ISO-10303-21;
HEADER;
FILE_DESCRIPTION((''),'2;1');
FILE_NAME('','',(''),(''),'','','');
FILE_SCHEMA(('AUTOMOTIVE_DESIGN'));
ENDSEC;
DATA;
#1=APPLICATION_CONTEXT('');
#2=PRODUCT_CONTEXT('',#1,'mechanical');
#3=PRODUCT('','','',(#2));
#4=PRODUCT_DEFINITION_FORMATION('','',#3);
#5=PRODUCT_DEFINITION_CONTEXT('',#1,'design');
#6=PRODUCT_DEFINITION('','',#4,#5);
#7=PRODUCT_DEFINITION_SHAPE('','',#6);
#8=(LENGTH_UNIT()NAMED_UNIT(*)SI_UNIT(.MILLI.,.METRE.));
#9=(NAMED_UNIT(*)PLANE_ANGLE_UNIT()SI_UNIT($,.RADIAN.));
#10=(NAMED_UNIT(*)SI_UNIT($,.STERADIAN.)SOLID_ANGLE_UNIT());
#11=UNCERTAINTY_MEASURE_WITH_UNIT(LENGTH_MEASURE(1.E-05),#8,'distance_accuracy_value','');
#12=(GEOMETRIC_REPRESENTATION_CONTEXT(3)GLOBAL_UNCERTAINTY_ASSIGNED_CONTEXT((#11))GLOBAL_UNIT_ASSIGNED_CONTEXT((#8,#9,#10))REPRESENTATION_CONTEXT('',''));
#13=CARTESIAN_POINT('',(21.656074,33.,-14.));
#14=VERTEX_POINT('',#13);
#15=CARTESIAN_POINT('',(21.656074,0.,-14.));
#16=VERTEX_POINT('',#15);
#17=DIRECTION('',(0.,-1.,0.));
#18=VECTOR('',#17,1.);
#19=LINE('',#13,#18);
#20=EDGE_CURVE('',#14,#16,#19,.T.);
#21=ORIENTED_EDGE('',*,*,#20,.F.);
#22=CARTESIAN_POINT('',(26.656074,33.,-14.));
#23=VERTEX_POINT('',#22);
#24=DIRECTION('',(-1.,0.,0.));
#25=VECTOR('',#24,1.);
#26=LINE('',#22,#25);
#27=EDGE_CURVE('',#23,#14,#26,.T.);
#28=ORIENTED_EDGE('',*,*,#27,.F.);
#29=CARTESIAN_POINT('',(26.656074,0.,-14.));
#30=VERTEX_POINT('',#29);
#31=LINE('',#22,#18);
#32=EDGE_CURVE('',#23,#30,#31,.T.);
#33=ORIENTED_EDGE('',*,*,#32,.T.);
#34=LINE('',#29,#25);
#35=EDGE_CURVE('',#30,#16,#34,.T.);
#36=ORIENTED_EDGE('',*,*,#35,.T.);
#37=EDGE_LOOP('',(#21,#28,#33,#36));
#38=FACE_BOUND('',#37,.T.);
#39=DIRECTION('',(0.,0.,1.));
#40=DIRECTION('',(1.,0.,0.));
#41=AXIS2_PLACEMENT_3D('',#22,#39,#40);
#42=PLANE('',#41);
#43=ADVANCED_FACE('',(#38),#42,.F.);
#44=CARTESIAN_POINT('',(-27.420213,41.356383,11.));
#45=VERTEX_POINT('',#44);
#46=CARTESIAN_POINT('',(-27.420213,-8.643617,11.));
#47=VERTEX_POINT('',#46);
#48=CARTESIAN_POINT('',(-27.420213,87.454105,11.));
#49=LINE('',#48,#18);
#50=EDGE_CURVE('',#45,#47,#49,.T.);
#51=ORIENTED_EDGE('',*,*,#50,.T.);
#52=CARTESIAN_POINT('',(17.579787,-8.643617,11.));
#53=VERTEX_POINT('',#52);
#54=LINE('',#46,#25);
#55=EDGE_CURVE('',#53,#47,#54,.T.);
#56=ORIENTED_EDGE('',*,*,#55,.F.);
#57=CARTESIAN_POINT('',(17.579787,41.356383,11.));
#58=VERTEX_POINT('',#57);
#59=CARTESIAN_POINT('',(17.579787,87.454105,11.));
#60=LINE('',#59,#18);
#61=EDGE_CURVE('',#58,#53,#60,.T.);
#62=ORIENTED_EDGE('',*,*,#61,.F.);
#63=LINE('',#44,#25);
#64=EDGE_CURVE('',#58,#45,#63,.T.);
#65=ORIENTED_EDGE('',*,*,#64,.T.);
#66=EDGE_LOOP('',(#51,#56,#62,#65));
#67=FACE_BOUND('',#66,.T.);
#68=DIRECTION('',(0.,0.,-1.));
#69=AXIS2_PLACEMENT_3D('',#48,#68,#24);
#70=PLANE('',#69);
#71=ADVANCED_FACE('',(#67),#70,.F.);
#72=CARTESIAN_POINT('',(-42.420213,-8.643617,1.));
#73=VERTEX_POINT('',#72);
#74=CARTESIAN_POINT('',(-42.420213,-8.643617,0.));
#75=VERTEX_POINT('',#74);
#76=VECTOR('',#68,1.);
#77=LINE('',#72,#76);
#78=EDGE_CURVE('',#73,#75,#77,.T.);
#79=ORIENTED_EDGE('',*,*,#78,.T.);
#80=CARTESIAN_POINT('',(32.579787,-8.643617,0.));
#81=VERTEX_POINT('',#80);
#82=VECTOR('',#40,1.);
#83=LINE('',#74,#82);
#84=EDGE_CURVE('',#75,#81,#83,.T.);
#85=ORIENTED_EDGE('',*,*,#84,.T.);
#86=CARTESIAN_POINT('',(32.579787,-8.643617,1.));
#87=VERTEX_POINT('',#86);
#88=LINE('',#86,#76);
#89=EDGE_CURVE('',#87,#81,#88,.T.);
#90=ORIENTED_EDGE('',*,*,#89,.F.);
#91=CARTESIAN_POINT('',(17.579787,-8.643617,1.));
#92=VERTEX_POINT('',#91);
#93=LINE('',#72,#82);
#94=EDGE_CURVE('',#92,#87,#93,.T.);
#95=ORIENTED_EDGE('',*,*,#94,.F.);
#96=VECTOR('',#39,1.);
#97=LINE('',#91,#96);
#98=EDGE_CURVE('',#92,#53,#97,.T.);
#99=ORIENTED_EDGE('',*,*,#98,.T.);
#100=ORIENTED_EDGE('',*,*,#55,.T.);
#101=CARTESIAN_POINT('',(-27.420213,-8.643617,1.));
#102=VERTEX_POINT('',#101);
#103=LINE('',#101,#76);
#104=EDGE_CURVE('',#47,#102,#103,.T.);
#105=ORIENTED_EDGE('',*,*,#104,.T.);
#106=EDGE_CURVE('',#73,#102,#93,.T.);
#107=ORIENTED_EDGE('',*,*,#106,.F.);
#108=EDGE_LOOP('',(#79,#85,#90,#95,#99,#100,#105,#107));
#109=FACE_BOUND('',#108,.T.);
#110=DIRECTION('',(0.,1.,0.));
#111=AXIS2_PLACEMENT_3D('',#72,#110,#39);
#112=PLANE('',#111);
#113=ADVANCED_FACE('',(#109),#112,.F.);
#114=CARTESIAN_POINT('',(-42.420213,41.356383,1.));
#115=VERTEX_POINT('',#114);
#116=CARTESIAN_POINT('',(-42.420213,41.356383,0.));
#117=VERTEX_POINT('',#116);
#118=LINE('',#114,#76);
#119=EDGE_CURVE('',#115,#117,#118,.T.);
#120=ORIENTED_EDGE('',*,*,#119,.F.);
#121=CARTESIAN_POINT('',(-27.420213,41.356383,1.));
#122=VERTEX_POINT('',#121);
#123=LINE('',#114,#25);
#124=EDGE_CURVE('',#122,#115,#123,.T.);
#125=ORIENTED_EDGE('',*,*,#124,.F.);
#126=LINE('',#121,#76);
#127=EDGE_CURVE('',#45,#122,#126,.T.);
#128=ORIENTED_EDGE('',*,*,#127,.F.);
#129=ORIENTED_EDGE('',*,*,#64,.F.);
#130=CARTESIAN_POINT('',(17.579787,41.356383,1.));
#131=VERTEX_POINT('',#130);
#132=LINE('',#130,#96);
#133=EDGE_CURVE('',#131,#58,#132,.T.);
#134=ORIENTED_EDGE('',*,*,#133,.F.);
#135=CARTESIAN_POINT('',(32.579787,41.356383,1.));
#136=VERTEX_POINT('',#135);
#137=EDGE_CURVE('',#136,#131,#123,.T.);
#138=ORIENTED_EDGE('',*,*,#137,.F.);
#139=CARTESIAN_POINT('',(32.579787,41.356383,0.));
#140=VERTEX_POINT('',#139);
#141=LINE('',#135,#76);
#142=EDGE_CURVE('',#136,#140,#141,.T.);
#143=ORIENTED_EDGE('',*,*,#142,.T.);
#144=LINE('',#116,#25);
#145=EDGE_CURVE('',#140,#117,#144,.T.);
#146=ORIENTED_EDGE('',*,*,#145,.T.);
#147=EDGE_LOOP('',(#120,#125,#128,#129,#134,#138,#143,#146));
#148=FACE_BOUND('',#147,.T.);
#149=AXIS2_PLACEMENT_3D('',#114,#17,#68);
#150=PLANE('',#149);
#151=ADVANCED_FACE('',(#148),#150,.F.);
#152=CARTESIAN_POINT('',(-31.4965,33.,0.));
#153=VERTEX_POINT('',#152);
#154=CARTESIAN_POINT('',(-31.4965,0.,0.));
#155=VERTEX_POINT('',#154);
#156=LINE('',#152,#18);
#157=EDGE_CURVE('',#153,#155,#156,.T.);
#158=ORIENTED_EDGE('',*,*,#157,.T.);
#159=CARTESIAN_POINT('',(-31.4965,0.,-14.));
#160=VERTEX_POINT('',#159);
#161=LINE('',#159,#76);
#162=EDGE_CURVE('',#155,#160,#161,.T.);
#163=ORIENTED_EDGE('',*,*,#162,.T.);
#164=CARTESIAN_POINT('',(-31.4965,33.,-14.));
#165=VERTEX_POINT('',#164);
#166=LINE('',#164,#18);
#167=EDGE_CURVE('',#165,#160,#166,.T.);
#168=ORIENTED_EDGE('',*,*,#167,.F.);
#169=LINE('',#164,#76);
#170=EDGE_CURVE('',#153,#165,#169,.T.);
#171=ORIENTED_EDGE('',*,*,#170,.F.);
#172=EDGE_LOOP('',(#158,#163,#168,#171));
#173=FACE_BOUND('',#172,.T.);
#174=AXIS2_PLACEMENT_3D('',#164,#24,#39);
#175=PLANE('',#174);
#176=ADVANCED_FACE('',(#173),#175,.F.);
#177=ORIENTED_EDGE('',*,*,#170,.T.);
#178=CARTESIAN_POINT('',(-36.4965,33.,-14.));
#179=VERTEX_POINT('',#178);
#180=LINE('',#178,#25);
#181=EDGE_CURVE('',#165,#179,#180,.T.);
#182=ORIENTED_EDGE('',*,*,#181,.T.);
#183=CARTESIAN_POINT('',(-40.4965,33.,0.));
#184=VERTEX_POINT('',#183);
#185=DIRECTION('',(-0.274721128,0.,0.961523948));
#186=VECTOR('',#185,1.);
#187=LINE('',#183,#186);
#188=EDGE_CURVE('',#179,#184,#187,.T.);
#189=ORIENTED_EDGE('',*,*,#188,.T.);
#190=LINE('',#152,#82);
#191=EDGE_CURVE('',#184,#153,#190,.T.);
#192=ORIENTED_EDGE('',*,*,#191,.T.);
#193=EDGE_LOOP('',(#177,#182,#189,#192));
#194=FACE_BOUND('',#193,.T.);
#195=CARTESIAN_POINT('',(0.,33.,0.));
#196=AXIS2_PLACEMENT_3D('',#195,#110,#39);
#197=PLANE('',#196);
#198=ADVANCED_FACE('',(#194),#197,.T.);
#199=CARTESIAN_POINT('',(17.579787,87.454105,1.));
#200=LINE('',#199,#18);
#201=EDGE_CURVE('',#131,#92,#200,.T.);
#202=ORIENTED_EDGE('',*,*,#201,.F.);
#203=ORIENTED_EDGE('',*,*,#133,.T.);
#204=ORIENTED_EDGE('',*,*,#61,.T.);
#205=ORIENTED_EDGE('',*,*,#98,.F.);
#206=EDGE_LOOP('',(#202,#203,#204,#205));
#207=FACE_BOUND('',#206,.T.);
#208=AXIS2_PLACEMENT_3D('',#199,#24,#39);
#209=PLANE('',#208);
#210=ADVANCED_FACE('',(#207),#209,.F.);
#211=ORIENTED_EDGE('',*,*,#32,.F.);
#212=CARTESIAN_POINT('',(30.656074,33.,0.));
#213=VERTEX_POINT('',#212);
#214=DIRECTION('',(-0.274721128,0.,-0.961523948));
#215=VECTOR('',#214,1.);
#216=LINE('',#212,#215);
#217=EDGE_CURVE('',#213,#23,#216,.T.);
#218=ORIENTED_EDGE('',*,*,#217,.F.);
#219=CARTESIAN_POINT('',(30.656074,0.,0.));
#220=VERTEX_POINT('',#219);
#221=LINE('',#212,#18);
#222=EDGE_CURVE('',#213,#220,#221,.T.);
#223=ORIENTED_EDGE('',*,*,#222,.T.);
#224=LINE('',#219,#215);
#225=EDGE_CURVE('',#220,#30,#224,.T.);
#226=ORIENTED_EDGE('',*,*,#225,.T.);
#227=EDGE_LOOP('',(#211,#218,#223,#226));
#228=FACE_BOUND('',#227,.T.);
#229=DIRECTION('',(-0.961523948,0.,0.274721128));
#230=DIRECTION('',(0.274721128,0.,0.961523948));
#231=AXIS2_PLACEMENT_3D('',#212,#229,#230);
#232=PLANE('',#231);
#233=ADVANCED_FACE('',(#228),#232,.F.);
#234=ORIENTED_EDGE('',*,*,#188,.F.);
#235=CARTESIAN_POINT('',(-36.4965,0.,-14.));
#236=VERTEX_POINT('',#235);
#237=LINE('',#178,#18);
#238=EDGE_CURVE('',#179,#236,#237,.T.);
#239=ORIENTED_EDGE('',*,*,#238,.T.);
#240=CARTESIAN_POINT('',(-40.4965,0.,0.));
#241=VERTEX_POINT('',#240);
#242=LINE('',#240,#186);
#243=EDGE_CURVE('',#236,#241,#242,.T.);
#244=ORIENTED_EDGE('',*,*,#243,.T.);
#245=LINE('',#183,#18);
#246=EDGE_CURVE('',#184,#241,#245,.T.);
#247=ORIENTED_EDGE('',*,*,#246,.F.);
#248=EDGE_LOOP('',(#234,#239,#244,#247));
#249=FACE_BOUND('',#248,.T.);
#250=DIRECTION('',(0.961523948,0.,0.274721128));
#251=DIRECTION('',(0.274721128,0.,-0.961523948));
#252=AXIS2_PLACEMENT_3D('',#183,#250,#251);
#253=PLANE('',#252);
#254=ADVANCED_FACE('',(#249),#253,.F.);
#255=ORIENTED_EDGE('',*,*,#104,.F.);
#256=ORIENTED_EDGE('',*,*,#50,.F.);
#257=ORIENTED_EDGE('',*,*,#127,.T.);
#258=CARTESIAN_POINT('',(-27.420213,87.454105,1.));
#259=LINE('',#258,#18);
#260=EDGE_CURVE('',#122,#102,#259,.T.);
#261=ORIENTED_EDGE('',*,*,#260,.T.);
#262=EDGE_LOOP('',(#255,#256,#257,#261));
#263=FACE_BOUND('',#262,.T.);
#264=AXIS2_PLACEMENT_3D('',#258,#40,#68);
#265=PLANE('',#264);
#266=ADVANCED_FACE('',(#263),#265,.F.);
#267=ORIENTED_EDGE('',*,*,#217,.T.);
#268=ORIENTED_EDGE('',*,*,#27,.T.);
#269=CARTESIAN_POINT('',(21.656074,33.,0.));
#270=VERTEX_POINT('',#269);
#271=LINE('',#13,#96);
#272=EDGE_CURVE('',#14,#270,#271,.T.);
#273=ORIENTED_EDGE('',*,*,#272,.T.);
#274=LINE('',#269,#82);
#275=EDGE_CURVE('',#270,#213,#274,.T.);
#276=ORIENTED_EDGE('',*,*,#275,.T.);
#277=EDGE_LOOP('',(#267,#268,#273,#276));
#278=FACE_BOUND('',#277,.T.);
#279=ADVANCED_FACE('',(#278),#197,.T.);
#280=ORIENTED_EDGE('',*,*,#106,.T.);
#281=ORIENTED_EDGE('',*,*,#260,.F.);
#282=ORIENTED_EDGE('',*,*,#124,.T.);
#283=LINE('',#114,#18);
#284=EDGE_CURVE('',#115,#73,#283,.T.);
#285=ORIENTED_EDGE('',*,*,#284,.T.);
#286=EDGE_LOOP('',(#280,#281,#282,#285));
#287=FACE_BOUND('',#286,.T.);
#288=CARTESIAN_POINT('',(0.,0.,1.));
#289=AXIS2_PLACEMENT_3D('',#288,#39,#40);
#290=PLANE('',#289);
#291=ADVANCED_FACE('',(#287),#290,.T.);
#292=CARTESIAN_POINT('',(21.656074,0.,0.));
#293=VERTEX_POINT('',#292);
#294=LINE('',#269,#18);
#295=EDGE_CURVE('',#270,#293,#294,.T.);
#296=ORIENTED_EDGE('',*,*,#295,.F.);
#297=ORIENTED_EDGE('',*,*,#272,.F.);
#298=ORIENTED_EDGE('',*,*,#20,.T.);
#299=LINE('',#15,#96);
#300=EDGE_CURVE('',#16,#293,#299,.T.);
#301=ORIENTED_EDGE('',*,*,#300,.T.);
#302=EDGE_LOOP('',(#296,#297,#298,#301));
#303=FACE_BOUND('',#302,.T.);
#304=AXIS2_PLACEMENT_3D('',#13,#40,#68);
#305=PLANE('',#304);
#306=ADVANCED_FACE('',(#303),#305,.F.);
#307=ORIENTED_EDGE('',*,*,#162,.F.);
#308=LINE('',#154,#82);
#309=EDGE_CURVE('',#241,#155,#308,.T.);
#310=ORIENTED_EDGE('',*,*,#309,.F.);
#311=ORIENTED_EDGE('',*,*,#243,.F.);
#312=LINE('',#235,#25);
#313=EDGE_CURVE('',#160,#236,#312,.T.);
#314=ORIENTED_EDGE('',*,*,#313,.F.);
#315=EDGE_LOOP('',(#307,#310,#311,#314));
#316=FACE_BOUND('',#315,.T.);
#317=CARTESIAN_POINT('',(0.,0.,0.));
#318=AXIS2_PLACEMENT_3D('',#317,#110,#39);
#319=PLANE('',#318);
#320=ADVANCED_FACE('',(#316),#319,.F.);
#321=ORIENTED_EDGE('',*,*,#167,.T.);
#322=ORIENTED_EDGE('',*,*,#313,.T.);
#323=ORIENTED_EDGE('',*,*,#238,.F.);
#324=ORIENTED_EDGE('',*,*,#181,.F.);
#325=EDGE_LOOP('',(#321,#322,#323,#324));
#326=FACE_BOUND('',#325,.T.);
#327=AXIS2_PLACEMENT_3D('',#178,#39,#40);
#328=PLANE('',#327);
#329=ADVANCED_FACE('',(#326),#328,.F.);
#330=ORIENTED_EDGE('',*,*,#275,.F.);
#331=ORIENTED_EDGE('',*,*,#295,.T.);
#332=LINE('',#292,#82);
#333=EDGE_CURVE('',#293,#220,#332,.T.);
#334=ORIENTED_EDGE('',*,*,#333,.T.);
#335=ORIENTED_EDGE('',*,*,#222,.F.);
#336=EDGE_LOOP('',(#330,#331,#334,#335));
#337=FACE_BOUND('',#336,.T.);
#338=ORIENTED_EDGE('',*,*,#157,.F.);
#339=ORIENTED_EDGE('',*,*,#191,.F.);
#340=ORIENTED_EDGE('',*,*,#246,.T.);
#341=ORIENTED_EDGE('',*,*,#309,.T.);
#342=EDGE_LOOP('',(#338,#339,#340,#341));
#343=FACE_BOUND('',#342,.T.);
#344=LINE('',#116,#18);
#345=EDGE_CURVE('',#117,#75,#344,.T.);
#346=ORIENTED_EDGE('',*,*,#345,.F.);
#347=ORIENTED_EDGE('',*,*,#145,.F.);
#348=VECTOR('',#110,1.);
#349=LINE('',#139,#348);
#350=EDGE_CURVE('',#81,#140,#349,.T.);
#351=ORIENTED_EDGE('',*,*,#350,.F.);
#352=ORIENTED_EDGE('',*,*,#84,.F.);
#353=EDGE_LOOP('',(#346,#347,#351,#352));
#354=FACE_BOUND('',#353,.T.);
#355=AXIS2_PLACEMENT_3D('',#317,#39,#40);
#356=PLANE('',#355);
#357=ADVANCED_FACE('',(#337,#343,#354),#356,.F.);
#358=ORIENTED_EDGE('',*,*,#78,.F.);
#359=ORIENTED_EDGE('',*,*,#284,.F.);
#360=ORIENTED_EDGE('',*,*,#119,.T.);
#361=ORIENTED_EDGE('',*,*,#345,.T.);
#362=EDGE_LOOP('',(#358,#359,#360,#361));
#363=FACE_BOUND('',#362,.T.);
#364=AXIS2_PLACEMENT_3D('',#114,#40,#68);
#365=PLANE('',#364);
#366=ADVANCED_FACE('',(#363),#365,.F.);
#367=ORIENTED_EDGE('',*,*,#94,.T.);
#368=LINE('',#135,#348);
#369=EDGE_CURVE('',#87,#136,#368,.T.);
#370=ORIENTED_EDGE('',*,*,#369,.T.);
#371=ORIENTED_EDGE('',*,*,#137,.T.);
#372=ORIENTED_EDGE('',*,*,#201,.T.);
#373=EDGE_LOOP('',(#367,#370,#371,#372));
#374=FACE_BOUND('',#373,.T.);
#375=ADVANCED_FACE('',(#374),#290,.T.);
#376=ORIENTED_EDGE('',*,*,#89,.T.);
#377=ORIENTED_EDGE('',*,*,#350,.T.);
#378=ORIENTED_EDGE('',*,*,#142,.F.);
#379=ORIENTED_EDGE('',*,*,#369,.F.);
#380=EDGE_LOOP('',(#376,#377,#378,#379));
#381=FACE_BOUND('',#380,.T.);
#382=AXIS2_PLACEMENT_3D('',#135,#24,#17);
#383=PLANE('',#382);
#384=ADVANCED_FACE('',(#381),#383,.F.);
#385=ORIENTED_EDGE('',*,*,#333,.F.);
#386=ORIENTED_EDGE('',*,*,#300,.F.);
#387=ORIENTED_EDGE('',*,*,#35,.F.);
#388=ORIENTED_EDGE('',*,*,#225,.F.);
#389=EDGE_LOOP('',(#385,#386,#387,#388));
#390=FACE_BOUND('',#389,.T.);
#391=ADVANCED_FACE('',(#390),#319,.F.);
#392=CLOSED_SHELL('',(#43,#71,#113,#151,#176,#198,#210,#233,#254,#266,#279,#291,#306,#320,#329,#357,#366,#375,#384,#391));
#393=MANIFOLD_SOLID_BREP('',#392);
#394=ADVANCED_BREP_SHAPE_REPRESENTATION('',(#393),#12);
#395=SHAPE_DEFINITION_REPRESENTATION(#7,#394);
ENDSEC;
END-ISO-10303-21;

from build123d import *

# Parameters (mm, degrees)
SKETCH1_W                       = 75
SKETCH1_H                       = 50
BOSS_EXTRUDE1_DEPTH             = 1
BOSS_EXTRUDE2_REACH             = 43.356
SKETCH2_W                       = 45
SKETCH2_H                       = 10
BOSS_EXTRUDE2_DIRECTION_2_REACH = 10.644
BOSS_EXTRUDE5_DEPTH             = 33


with BuildPart() as part:
    # Sketch1 → Boss-Extrude1 (new body)
    with BuildSketch(Plane.XY):
        with Locations((-4.920212766, 16.356382979)):
            Rectangle(SKETCH1_W, SKETCH1_H)
    extrude(amount=BOSS_EXTRUDE1_DEPTH)

    # Boss-Extrude2: up to this face of the body (flat: up to its plane)
    boss_extrude2_end = Plane(part.part.faces().sort_by_distance((-4.920212766, 41.356382979, 0.5))[0])
    # Sketch2 → Boss-Extrude2 (add, up to the picked face)
    with BuildSketch(Plane(origin=(0, 0, 0), x_dir=(1, 0, 0), z_dir=(0, 1, 0)), mode=Mode.PRIVATE) as boss_extrude2_sk1:
        with Locations((-4.920212766, -6)):
            Rectangle(SKETCH2_W, SKETCH2_H)
    boss_extrude2_tool1 = split(extrude(boss_extrude2_sk1.sketch, amount=BOSS_EXTRUDE2_REACH, mode=Mode.PRIVATE), bisect_by=boss_extrude2_end, keep=Keep.BOTH, mode=Mode.PRIVATE)
    add(boss_extrude2_tool1.solids().sort_by_distance((-4.920213, 0, 6))[0])

    # Boss-Extrude2 direction 2: up to this face of the body (flat: up to its plane)
    boss_extrude2_direction_2_end = Plane(part.part.faces().sort_by_distance((-4.920212766, -8.643617021, 0.5))[0])
    # Sketch2 → Boss-Extrude2 direction 2 (add, up to the picked face)
    with BuildSketch(Plane(origin=(0, 0, 0), x_dir=(1, 0, 0), z_dir=(0, 1, 0)), mode=Mode.PRIVATE) as boss_extrude2_direction_2_sk1:
        with Locations((-4.920212766, -6)):
            Rectangle(SKETCH2_W, SKETCH2_H)
    boss_extrude2_direction_2_tool1 = split(extrude(boss_extrude2_direction_2_sk1.sketch, amount=-BOSS_EXTRUDE2_DIRECTION_2_REACH, mode=Mode.PRIVATE), bisect_by=boss_extrude2_direction_2_end, keep=Keep.BOTH, mode=Mode.PRIVATE)
    add(boss_extrude2_direction_2_tool1.solids().sort_by_distance((-4.920213, 0, 6))[0])

    # Sketch4 → Boss-Extrude5 (add)
    with BuildSketch(Plane(origin=(0, 0, 0), x_dir=(1, 0, 0), z_dir=(0, 1, 0))):
        Polygon((-40.49649997, 0), (-36.49649997, 14), (-31.49649997, 14), (-31.49649997, 0), align=None)
        Polygon((21.656074438, 0), (30.656074438, 0), (26.656074438, 14), (21.656074438, 14), align=None)
    extrude(amount=BOSS_EXTRUDE5_DEPTH)


solid = part.part
